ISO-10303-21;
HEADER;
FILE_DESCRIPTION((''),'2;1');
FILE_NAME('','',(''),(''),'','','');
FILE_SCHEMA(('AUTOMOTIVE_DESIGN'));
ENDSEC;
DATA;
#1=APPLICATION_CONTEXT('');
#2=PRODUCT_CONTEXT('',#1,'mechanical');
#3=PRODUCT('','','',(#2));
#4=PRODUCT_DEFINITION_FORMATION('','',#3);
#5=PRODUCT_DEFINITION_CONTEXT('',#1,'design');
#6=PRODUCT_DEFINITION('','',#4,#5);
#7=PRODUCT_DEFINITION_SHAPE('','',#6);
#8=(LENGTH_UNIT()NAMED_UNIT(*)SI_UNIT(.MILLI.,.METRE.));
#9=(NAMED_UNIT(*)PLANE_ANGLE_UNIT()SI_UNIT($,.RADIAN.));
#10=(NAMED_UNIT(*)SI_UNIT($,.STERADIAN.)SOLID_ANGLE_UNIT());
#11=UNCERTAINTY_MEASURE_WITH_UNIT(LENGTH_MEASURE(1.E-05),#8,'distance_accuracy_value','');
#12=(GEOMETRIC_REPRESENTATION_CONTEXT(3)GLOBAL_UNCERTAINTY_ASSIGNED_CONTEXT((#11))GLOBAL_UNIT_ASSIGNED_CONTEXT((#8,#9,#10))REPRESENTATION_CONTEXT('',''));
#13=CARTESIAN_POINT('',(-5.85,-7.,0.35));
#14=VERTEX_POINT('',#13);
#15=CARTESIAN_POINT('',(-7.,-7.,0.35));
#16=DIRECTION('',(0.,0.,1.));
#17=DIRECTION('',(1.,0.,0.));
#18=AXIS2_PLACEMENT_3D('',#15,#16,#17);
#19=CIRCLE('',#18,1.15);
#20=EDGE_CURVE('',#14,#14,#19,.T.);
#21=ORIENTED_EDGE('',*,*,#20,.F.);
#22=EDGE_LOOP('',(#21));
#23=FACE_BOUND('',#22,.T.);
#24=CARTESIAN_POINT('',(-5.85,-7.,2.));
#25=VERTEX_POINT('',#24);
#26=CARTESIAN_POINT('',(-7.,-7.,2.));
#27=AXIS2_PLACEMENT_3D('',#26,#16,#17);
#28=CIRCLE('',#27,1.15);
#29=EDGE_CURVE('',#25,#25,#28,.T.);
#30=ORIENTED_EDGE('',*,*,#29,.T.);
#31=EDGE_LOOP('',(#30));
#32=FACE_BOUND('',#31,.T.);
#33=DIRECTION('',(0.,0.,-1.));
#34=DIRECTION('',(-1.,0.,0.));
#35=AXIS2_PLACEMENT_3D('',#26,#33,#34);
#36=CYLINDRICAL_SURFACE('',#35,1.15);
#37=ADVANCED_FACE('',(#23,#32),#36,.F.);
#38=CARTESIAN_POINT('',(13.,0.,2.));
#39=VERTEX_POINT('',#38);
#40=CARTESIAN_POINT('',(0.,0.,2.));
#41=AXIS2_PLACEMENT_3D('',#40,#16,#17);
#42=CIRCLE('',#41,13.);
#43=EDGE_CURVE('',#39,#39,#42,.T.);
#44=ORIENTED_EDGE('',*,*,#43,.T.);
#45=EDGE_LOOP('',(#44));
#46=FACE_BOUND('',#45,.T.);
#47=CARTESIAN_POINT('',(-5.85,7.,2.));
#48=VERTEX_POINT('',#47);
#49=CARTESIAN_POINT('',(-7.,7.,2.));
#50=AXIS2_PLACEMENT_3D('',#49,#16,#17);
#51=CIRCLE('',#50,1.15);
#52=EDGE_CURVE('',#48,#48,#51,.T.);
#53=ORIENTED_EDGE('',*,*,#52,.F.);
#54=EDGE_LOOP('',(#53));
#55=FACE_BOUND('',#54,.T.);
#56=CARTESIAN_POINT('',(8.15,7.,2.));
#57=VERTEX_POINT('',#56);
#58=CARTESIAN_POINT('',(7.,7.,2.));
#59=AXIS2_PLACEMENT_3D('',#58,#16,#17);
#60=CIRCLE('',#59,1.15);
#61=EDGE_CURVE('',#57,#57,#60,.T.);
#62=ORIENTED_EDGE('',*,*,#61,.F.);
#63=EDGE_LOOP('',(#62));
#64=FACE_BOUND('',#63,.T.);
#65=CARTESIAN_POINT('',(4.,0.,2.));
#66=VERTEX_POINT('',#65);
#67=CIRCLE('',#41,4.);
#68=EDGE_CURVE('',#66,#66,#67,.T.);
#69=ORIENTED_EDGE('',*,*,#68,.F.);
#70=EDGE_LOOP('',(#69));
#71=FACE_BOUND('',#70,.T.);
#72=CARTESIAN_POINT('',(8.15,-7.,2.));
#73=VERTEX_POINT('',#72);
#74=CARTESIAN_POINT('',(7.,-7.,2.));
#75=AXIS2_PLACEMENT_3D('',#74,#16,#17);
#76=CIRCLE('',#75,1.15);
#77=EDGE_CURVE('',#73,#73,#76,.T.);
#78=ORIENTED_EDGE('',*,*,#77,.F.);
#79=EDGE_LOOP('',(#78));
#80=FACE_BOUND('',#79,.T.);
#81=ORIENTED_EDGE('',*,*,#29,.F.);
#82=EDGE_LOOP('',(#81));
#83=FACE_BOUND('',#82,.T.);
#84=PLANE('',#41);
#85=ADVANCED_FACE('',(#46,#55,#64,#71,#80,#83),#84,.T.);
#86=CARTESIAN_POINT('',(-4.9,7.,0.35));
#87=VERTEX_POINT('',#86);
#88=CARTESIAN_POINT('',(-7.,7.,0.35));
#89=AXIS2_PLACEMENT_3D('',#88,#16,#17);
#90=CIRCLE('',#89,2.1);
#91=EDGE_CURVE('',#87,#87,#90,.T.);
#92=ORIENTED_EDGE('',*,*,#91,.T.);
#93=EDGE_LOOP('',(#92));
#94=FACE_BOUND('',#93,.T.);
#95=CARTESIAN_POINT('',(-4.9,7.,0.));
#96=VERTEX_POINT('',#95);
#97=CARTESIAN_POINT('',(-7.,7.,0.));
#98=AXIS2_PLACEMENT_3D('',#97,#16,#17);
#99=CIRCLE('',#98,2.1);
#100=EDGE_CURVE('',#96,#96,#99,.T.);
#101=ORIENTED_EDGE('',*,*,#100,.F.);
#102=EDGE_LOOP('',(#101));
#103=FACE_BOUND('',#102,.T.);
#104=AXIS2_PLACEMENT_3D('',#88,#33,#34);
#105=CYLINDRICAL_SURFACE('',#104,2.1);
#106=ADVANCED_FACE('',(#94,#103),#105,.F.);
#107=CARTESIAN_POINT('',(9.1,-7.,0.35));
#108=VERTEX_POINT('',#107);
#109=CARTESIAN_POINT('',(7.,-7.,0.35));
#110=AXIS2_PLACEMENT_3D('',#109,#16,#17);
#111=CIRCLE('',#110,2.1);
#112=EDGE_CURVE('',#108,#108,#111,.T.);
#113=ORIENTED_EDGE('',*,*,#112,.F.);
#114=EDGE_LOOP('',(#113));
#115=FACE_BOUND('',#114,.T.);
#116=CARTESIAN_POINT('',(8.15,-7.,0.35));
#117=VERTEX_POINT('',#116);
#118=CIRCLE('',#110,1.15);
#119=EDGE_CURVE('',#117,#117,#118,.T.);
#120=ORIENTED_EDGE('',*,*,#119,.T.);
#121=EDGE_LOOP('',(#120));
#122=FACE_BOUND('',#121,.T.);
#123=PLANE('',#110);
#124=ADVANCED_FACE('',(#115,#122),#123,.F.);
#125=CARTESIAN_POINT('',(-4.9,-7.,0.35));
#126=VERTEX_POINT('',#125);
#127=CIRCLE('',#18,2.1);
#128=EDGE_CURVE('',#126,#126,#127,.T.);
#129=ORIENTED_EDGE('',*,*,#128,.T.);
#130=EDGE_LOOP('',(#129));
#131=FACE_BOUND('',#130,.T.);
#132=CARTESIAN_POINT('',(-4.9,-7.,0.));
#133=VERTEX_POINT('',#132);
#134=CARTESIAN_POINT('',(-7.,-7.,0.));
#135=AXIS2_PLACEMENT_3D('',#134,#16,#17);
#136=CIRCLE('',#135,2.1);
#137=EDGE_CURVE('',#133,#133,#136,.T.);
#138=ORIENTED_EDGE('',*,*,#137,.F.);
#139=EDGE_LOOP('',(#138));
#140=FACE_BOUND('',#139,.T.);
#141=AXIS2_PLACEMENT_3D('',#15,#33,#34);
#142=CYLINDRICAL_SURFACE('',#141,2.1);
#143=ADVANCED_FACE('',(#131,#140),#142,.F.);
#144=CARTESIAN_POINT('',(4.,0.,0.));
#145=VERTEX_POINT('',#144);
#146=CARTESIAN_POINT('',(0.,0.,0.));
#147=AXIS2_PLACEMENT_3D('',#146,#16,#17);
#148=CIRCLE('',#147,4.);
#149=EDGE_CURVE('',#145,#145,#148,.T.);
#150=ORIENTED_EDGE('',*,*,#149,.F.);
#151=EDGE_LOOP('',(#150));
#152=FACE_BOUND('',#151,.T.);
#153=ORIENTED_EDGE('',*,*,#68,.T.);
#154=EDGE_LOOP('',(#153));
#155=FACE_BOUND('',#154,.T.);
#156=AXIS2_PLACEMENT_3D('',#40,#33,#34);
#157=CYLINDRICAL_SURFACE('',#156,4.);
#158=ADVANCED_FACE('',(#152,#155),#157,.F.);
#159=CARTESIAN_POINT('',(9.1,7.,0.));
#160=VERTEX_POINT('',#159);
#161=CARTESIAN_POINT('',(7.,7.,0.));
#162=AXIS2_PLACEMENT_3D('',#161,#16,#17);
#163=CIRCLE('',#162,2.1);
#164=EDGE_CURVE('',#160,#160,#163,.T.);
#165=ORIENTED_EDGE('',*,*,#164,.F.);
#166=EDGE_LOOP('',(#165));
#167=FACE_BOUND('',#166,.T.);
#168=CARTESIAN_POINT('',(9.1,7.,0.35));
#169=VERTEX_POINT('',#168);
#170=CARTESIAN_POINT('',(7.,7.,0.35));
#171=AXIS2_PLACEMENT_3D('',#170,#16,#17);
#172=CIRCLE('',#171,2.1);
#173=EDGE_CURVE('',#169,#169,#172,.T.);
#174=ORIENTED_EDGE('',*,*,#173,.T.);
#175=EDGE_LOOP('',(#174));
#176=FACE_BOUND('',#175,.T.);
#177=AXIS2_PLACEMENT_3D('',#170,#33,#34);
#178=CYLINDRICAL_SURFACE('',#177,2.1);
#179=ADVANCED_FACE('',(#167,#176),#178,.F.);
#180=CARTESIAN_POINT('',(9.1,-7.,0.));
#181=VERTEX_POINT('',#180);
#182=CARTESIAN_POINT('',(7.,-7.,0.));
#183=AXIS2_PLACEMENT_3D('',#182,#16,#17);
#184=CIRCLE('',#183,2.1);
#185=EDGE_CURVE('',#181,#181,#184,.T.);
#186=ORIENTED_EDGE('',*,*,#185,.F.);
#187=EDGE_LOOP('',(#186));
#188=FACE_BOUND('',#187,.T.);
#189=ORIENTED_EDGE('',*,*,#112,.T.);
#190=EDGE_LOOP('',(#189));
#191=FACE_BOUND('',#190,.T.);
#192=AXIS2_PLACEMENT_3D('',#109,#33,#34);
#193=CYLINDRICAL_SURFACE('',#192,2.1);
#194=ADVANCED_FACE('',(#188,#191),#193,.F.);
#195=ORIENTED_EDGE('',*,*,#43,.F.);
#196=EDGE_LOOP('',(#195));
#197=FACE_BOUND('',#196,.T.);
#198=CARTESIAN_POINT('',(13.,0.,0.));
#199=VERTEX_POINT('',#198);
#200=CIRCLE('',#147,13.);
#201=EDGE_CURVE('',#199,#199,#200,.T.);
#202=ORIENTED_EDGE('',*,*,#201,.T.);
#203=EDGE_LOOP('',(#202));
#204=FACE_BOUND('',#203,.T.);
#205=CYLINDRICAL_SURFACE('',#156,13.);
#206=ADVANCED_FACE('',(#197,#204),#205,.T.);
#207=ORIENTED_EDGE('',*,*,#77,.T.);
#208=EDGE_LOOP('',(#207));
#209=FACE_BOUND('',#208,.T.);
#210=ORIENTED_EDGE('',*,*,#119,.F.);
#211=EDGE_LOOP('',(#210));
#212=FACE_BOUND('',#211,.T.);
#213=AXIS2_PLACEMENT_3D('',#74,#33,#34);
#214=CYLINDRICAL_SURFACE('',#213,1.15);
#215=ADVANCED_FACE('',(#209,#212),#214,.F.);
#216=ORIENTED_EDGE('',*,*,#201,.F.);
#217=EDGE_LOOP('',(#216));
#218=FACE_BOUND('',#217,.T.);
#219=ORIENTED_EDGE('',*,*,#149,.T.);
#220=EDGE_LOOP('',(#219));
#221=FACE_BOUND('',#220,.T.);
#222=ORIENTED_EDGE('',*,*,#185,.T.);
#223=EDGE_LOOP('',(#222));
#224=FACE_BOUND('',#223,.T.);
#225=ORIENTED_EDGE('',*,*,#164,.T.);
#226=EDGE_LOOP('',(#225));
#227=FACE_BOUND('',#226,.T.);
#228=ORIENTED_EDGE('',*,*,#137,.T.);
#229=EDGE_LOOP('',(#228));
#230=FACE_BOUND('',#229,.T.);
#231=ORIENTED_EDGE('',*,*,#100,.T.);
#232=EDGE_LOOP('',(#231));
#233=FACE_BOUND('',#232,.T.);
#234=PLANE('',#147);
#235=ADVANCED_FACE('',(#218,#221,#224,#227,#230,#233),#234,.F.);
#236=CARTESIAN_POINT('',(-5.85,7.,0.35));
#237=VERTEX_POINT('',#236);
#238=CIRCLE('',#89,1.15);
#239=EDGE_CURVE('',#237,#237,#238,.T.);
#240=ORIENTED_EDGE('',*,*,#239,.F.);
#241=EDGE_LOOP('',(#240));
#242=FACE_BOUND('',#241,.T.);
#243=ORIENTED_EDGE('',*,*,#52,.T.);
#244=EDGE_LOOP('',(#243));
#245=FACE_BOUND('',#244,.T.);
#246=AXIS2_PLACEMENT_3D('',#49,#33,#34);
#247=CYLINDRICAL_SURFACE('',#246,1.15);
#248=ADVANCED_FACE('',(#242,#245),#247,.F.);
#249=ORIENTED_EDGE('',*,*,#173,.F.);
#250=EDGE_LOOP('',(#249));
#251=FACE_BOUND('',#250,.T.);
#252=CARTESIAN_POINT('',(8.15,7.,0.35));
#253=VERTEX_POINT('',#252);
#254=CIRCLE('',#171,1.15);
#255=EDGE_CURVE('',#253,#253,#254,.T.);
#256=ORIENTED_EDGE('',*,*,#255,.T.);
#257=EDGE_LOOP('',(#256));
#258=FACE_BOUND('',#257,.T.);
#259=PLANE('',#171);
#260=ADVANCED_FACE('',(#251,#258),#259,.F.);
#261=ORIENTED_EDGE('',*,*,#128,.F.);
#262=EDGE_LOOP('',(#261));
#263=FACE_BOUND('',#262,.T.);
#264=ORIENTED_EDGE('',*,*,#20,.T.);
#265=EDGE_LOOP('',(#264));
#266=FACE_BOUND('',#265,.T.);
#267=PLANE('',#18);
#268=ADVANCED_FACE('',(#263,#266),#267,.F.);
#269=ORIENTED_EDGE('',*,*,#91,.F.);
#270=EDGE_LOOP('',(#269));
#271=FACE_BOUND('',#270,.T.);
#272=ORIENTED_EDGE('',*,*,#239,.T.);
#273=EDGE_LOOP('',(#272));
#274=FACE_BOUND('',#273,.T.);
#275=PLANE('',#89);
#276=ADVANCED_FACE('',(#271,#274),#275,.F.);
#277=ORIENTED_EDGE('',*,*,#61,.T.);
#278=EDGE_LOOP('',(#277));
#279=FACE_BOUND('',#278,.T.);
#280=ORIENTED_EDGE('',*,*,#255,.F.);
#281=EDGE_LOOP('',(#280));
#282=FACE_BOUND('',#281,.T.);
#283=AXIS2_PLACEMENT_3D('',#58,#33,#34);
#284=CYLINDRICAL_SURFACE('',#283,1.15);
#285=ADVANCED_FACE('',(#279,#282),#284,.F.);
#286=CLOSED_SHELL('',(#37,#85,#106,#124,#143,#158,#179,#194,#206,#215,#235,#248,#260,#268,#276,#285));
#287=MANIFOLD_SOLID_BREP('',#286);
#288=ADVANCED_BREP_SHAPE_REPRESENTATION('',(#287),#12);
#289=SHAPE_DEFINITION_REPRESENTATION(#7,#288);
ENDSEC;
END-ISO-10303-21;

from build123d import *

# Parameters (mm, degrees)
CAP_OD26_ID8_THICKNESS2_PROFILE_R   = 13
CAP_OD26_ID8_THICKNESS2_PROFILE_R_2 = 4
CAP_OD26_ID8_THICKNESS2_DEPTH       = 2
FOUR_M2_CAPTURE_HOLES_START         = -50
FOUR_M2_CAPTURE_HOLES_PROFILE_R     = 1.15
FOUR_M2_CAPTURE_HOLES_DEPTH         = 69.493242009
LOW_PROFILE_HEAD_SEATS_R            = 2.1
HEAD_RECESS_DEPTH0P35_DEPTH         = 0.35


with BuildPart() as part:
    # Cap_OD26_ID8_thickness2_profile → Cap_OD26_ID8_thickness2 (new body)
    with BuildSketch(Plane.XY):
        Circle(CAP_OD26_ID8_THICKNESS2_PROFILE_R)
        Circle(CAP_OD26_ID8_THICKNESS2_PROFILE_R_2, mode=Mode.SUBTRACT)
    extrude(amount=CAP_OD26_ID8_THICKNESS2_DEPTH)

    # Four_M2_capture_holes_profile → Four_M2_capture_holes (cut, through all)
    with BuildSketch(Plane.XY.offset(FOUR_M2_CAPTURE_HOLES_START)):
        with Locations((7, 7)):
            Circle(FOUR_M2_CAPTURE_HOLES_PROFILE_R)
        with Locations((-7, 7)):
            Circle(FOUR_M2_CAPTURE_HOLES_PROFILE_R)
        with Locations((-7, -7)):
            Circle(FOUR_M2_CAPTURE_HOLES_PROFILE_R)
        with Locations((7, -7)):
            Circle(FOUR_M2_CAPTURE_HOLES_PROFILE_R)
    extrude(amount=FOUR_M2_CAPTURE_HOLES_DEPTH, mode=Mode.SUBTRACT)

    # Low_profile_head_seats → Head_recess_depth0p35 (cut)
    with BuildSketch(Plane.XY):
        with Locations((7, 7)):
            Circle(LOW_PROFILE_HEAD_SEATS_R)
        with Locations((-7, 7)):
            Circle(LOW_PROFILE_HEAD_SEATS_R)
        with Locations((-7, -7)):
            Circle(LOW_PROFILE_HEAD_SEATS_R)
        with Locations((7, -7)):
            Circle(LOW_PROFILE_HEAD_SEATS_R)
    extrude(amount=HEAD_RECESS_DEPTH0P35_DEPTH, mode=Mode.SUBTRACT)


solid = part.part
